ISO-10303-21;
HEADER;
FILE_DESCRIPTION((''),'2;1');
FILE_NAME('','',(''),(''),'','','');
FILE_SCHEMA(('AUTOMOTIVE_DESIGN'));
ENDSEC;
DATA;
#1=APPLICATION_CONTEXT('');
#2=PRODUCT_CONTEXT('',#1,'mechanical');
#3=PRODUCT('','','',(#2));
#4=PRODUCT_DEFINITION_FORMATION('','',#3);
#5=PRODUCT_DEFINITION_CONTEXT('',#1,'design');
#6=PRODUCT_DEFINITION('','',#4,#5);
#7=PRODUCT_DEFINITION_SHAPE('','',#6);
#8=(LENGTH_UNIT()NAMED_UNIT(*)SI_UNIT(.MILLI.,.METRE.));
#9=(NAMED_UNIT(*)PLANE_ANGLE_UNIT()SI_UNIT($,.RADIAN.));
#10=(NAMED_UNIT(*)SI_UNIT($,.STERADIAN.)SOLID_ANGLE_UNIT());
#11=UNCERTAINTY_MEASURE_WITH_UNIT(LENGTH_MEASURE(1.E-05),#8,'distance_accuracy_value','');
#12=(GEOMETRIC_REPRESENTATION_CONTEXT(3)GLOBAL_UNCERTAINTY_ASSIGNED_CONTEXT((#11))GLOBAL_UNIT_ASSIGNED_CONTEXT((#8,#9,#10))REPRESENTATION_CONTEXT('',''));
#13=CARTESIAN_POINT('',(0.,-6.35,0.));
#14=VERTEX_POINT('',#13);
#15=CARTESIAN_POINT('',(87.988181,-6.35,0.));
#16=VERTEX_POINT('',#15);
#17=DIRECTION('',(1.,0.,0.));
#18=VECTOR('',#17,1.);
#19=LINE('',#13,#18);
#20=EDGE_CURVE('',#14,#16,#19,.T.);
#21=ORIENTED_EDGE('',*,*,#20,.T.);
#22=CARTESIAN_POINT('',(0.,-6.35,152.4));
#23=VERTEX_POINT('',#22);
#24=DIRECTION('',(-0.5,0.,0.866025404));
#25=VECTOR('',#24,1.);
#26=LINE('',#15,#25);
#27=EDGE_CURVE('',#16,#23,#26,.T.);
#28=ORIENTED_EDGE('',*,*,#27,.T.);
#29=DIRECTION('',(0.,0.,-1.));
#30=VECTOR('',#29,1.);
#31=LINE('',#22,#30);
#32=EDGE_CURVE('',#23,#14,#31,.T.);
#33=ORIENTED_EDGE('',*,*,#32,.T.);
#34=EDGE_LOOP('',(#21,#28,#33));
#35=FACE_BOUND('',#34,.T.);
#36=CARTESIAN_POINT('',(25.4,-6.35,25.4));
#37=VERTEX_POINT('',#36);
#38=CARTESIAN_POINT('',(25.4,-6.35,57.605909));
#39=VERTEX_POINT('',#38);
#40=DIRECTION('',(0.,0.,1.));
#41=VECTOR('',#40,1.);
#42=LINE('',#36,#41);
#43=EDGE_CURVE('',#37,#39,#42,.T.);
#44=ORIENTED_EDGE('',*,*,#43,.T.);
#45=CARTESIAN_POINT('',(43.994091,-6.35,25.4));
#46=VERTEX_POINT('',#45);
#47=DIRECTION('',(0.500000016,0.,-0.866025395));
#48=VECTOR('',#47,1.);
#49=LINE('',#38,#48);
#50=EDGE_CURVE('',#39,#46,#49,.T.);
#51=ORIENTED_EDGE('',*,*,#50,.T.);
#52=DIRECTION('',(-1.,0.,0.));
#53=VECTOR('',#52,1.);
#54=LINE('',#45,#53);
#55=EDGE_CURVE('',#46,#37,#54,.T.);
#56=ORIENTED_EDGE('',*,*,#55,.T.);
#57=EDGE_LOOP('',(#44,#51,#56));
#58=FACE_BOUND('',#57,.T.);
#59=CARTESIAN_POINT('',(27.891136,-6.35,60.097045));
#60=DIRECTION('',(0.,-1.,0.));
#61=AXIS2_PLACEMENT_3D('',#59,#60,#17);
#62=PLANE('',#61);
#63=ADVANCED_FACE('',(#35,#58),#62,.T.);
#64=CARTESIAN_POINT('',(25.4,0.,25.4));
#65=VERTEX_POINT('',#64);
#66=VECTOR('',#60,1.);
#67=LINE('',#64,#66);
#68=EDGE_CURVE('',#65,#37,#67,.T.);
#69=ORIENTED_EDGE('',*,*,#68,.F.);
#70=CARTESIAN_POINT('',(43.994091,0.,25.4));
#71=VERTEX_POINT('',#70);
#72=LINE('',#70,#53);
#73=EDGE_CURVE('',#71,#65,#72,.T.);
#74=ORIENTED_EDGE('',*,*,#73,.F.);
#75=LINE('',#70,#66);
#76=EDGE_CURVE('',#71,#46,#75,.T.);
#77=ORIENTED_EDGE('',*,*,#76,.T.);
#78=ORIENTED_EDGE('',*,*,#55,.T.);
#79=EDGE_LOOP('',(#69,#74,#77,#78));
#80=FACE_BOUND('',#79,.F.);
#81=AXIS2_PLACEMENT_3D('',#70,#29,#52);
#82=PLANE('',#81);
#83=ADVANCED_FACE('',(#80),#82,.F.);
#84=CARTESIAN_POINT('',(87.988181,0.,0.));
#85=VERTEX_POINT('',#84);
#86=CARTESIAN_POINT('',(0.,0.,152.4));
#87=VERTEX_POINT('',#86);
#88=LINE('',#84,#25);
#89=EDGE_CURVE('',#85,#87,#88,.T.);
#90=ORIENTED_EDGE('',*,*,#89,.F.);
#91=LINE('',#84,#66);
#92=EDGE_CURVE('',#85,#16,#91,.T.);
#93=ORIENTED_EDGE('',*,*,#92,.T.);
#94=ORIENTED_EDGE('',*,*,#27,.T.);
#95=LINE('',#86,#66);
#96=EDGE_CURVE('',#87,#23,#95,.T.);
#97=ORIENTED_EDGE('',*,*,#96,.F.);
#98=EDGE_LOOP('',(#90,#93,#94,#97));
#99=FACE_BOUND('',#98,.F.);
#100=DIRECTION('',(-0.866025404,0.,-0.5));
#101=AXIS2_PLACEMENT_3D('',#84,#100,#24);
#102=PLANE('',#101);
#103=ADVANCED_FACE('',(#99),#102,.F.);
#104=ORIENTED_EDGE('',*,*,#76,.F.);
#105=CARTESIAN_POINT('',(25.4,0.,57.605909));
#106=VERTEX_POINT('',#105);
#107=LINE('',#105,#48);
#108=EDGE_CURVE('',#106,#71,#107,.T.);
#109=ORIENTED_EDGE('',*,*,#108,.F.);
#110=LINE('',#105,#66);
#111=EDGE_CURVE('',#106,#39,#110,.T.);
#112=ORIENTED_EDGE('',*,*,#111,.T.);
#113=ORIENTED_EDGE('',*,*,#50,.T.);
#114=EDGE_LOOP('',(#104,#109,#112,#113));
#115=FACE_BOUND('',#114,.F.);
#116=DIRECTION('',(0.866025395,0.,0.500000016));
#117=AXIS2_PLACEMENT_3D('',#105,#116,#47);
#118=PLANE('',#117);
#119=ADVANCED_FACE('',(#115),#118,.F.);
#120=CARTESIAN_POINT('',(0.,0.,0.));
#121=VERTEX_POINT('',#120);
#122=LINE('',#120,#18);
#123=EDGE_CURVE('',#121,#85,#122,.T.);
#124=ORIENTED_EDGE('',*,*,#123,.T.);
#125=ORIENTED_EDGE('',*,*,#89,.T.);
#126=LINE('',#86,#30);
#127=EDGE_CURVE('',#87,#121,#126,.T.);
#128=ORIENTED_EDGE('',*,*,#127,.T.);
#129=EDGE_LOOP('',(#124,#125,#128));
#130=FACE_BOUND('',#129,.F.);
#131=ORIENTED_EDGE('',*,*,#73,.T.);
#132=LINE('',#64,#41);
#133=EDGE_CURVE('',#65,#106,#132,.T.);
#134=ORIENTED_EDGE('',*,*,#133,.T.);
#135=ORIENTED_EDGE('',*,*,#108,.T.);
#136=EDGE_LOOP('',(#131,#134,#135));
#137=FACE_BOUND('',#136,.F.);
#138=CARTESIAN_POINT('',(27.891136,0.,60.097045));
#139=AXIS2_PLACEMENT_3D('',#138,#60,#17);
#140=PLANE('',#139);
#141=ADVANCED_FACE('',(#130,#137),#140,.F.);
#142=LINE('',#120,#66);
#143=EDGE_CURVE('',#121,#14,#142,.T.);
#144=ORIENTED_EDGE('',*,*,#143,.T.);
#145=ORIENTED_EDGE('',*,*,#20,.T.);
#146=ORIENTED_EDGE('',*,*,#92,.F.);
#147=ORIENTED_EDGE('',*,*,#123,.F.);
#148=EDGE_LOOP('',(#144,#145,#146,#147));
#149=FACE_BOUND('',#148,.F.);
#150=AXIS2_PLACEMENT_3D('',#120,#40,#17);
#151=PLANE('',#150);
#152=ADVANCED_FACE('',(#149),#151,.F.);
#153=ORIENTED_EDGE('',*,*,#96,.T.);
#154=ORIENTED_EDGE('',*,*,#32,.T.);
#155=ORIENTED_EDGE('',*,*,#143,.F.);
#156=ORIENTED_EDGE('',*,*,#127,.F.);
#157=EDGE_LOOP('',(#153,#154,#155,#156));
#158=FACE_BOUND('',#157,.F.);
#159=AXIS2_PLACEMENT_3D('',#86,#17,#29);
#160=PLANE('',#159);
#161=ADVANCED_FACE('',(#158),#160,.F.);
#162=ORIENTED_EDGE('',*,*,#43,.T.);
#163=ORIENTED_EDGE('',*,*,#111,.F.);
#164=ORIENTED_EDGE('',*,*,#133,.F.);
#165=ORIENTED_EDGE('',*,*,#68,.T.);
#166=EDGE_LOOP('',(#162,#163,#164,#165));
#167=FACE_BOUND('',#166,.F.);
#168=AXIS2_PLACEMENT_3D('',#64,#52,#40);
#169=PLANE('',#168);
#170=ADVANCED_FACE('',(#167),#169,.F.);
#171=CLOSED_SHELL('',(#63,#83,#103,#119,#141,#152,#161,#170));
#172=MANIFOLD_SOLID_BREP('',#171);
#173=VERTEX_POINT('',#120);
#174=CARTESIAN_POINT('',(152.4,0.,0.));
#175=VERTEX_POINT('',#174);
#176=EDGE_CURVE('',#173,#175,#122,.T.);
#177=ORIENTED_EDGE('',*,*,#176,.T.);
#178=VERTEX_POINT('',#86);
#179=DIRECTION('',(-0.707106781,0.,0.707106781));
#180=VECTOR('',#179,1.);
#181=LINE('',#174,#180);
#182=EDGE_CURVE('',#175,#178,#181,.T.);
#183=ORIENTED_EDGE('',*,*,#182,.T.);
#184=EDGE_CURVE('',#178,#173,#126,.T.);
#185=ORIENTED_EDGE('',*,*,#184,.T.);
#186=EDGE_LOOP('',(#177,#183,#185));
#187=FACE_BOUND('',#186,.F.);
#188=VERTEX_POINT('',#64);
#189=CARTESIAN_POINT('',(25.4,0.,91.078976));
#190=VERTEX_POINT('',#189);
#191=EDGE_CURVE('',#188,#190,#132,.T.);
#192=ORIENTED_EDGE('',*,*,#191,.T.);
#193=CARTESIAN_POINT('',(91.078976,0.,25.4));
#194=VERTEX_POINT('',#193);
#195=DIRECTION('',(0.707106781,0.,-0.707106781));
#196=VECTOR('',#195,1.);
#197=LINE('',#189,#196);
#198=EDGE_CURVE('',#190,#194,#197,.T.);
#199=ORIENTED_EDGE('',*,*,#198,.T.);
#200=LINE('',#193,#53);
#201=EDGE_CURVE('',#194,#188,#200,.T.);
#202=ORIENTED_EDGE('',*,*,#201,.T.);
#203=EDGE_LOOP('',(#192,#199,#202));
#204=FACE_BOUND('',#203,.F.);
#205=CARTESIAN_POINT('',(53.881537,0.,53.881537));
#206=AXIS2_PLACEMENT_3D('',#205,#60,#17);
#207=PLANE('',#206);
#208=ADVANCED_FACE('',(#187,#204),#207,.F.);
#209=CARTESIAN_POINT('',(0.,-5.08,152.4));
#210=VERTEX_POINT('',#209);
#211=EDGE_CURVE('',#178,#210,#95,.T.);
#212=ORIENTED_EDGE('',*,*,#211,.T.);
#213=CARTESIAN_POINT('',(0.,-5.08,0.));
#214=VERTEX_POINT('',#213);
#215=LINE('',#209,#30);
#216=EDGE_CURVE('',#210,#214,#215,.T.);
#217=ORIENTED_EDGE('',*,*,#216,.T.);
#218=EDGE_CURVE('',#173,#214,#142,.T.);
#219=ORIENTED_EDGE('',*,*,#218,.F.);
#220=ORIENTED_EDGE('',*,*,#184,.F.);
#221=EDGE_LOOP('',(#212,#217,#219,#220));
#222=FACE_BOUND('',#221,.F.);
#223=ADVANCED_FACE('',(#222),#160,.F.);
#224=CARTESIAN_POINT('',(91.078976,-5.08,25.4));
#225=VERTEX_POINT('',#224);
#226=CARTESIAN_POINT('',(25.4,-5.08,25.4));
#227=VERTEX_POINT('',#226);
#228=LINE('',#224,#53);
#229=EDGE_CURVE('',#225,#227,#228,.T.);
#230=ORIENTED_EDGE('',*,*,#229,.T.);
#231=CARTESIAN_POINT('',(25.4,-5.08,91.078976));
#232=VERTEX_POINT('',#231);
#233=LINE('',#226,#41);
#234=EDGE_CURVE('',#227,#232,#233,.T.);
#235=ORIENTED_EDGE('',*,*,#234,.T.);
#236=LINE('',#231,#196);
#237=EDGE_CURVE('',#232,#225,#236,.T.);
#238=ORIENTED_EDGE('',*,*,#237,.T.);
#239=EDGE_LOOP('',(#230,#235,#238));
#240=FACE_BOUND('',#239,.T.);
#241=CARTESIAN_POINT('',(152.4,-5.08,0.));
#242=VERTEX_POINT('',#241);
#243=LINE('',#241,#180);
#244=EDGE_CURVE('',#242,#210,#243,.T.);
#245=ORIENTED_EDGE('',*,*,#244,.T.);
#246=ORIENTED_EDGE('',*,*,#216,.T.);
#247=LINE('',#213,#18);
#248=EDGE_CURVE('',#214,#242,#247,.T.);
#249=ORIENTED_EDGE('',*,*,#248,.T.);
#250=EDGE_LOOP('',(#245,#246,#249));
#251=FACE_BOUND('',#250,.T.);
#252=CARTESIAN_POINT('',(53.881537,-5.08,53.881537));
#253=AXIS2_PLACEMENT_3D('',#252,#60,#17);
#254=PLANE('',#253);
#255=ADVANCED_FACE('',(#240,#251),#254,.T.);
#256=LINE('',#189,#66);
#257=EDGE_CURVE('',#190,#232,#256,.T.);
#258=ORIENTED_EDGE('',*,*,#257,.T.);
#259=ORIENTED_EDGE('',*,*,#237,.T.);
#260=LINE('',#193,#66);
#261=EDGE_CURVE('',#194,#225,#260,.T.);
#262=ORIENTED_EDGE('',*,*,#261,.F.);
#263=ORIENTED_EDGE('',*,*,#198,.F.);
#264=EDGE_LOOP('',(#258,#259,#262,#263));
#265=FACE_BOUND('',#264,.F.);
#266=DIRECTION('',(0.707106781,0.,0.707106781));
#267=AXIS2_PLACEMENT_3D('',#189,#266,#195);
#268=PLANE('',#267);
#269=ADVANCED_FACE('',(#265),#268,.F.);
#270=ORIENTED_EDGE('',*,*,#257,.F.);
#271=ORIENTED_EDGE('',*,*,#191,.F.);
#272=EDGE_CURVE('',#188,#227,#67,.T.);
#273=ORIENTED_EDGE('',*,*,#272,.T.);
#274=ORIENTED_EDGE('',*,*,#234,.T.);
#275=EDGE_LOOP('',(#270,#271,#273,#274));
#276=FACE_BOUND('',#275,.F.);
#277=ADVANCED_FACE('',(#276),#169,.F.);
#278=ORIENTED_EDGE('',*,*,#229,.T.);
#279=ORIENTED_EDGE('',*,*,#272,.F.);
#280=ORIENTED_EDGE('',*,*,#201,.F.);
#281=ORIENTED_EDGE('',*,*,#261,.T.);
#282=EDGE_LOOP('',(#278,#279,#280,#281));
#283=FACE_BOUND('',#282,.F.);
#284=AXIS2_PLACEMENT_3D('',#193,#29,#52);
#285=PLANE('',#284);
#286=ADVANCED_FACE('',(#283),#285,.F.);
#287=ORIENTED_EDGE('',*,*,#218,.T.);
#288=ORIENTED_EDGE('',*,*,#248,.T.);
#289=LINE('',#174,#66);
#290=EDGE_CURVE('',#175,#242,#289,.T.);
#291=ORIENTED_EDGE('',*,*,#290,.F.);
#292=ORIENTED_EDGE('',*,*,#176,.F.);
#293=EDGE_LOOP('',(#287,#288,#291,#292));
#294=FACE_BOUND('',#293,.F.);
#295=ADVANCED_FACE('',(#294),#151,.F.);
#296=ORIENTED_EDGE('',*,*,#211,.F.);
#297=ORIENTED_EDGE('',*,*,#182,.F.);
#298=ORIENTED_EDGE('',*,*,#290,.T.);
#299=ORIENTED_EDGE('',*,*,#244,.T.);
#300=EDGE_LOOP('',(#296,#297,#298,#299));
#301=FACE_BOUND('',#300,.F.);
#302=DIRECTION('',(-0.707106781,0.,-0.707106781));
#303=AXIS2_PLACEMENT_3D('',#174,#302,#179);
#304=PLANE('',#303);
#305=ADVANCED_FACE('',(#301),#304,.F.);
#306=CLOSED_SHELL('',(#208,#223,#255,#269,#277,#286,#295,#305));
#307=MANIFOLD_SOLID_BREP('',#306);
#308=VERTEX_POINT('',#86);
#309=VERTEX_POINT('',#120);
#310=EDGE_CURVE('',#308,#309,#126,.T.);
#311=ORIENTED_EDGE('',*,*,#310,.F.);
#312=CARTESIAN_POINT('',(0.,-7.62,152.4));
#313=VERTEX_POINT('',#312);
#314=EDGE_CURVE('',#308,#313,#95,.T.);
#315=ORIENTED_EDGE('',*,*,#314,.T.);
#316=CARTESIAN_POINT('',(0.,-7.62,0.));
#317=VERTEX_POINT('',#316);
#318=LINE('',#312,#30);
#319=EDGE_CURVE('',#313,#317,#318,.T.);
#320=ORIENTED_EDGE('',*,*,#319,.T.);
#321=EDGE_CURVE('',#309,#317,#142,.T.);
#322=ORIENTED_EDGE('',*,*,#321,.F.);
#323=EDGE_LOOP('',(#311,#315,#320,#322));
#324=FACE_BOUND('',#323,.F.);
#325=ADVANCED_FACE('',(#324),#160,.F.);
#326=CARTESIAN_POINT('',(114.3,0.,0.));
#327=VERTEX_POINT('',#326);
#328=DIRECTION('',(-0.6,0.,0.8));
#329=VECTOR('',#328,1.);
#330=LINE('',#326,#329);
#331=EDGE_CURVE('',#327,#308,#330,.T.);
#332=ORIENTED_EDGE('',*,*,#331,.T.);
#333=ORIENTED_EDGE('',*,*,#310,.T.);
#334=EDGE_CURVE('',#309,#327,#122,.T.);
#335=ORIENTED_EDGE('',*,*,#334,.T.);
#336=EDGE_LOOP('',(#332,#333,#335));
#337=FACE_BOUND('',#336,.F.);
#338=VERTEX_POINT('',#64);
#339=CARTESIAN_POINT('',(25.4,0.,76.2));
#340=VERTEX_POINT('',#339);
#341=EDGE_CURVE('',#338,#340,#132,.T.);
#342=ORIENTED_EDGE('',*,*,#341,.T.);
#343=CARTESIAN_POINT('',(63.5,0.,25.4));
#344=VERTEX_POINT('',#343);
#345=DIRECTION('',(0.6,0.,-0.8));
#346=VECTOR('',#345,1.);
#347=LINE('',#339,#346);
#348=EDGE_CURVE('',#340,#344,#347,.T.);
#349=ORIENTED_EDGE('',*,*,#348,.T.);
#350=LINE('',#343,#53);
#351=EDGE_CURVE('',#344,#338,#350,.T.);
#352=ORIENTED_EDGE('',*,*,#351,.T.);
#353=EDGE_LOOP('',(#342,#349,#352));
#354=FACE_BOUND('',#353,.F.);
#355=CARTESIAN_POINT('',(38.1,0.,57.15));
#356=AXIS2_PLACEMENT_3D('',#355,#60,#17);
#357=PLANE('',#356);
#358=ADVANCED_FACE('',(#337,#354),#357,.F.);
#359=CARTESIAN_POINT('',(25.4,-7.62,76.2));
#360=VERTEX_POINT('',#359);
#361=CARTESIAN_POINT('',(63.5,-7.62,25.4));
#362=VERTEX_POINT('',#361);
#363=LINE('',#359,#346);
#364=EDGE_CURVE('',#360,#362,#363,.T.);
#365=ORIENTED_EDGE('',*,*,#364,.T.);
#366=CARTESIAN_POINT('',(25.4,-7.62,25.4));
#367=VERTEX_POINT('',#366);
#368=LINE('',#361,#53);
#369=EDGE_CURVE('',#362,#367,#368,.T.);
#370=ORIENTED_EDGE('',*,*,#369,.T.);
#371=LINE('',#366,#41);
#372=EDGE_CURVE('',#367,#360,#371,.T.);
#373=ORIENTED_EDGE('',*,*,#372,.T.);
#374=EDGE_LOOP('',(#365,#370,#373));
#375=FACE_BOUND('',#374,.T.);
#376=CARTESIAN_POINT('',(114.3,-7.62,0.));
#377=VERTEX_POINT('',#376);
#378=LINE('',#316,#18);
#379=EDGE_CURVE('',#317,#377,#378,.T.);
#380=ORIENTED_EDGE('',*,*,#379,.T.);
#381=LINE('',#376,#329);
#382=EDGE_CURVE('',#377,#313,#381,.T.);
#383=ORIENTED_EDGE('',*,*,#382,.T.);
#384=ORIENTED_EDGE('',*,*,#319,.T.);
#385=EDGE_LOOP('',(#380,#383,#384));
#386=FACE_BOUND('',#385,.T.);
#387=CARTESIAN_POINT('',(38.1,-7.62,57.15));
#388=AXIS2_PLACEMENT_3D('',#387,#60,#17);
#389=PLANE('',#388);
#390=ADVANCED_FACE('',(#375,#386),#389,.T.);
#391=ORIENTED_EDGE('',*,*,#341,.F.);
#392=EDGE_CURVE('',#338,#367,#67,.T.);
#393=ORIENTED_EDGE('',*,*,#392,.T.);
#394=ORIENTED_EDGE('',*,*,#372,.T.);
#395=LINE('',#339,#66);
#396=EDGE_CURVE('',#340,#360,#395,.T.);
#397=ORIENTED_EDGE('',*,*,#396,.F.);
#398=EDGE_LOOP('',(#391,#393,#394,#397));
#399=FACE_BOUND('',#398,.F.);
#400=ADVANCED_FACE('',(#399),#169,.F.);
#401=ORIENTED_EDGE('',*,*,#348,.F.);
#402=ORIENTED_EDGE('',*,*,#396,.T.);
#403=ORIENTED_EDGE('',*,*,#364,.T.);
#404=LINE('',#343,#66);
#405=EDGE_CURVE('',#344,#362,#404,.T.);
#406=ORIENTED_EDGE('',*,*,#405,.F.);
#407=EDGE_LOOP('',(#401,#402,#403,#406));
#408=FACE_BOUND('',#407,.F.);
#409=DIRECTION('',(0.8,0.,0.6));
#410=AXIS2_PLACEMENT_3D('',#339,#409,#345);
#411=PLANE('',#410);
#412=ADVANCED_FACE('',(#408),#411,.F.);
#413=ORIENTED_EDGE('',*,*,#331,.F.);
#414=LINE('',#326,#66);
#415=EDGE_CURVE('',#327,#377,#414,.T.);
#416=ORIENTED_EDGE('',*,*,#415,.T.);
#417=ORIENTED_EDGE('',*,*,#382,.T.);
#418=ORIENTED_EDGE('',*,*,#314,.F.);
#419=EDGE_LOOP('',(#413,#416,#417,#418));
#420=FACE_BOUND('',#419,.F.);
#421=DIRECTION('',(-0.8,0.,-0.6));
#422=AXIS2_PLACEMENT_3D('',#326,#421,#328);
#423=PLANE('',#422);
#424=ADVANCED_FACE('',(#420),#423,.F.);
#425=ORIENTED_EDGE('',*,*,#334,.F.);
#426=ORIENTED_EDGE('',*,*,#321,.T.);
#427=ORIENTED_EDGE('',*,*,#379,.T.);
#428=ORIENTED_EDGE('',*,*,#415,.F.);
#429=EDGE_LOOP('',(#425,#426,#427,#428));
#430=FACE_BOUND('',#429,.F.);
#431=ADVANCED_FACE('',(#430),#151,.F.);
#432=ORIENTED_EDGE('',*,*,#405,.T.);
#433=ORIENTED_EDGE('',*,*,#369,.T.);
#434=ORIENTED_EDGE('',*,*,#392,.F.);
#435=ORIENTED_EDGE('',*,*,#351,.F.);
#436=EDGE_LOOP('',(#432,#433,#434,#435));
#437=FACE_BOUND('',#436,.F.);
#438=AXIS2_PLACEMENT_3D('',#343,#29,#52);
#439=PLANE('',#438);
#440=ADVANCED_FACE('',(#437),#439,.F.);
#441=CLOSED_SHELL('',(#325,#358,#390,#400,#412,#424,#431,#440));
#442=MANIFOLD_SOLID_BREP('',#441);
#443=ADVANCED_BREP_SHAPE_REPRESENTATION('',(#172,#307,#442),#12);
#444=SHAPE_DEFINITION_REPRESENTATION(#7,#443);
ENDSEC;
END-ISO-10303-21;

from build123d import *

# Parameters (mm, degrees)
F1_DEPTH = 5.08
F3_DEPTH = 6.35
F5_DEPTH = 7.62


with BuildPart() as f1:
    # F0 (on Front) → F1 (new body)
    with BuildSketch(Plane.XZ):
        Polygon((0, 152.4), (0, 0), (152.4, 0), align=None)
        Polygon((91.078976, 25.4), (25.4, 25.4), (25.4, 91.078976), align=None, mode=Mode.SUBTRACT)
    extrude(amount=F1_DEPTH)


with BuildPart() as f3:
    # F2 (on Front) → F3 (new body)
    with BuildSketch(Plane.XZ):
        Polygon((0, 152.4), (0, 0), (87.988181, 0), align=None)
        Polygon((43.994091, 25.4), (25.4, 25.4), (25.4, 57.605909), align=None, mode=Mode.SUBTRACT)
    extrude(amount=F3_DEPTH)


with BuildPart() as f5:
    # F4 (on Front) → F5 (new body)
    with BuildSketch(Plane.XZ):
        Polygon((0, 152.4), (0, 0), (114.3, 0), align=None)
        Polygon((63.5, 25.4), (25.4, 25.4), (25.4, 76.2), align=None, mode=Mode.SUBTRACT)
    extrude(amount=F5_DEPTH)


solid = Compound([f1.part, f3.part, f5.part])
